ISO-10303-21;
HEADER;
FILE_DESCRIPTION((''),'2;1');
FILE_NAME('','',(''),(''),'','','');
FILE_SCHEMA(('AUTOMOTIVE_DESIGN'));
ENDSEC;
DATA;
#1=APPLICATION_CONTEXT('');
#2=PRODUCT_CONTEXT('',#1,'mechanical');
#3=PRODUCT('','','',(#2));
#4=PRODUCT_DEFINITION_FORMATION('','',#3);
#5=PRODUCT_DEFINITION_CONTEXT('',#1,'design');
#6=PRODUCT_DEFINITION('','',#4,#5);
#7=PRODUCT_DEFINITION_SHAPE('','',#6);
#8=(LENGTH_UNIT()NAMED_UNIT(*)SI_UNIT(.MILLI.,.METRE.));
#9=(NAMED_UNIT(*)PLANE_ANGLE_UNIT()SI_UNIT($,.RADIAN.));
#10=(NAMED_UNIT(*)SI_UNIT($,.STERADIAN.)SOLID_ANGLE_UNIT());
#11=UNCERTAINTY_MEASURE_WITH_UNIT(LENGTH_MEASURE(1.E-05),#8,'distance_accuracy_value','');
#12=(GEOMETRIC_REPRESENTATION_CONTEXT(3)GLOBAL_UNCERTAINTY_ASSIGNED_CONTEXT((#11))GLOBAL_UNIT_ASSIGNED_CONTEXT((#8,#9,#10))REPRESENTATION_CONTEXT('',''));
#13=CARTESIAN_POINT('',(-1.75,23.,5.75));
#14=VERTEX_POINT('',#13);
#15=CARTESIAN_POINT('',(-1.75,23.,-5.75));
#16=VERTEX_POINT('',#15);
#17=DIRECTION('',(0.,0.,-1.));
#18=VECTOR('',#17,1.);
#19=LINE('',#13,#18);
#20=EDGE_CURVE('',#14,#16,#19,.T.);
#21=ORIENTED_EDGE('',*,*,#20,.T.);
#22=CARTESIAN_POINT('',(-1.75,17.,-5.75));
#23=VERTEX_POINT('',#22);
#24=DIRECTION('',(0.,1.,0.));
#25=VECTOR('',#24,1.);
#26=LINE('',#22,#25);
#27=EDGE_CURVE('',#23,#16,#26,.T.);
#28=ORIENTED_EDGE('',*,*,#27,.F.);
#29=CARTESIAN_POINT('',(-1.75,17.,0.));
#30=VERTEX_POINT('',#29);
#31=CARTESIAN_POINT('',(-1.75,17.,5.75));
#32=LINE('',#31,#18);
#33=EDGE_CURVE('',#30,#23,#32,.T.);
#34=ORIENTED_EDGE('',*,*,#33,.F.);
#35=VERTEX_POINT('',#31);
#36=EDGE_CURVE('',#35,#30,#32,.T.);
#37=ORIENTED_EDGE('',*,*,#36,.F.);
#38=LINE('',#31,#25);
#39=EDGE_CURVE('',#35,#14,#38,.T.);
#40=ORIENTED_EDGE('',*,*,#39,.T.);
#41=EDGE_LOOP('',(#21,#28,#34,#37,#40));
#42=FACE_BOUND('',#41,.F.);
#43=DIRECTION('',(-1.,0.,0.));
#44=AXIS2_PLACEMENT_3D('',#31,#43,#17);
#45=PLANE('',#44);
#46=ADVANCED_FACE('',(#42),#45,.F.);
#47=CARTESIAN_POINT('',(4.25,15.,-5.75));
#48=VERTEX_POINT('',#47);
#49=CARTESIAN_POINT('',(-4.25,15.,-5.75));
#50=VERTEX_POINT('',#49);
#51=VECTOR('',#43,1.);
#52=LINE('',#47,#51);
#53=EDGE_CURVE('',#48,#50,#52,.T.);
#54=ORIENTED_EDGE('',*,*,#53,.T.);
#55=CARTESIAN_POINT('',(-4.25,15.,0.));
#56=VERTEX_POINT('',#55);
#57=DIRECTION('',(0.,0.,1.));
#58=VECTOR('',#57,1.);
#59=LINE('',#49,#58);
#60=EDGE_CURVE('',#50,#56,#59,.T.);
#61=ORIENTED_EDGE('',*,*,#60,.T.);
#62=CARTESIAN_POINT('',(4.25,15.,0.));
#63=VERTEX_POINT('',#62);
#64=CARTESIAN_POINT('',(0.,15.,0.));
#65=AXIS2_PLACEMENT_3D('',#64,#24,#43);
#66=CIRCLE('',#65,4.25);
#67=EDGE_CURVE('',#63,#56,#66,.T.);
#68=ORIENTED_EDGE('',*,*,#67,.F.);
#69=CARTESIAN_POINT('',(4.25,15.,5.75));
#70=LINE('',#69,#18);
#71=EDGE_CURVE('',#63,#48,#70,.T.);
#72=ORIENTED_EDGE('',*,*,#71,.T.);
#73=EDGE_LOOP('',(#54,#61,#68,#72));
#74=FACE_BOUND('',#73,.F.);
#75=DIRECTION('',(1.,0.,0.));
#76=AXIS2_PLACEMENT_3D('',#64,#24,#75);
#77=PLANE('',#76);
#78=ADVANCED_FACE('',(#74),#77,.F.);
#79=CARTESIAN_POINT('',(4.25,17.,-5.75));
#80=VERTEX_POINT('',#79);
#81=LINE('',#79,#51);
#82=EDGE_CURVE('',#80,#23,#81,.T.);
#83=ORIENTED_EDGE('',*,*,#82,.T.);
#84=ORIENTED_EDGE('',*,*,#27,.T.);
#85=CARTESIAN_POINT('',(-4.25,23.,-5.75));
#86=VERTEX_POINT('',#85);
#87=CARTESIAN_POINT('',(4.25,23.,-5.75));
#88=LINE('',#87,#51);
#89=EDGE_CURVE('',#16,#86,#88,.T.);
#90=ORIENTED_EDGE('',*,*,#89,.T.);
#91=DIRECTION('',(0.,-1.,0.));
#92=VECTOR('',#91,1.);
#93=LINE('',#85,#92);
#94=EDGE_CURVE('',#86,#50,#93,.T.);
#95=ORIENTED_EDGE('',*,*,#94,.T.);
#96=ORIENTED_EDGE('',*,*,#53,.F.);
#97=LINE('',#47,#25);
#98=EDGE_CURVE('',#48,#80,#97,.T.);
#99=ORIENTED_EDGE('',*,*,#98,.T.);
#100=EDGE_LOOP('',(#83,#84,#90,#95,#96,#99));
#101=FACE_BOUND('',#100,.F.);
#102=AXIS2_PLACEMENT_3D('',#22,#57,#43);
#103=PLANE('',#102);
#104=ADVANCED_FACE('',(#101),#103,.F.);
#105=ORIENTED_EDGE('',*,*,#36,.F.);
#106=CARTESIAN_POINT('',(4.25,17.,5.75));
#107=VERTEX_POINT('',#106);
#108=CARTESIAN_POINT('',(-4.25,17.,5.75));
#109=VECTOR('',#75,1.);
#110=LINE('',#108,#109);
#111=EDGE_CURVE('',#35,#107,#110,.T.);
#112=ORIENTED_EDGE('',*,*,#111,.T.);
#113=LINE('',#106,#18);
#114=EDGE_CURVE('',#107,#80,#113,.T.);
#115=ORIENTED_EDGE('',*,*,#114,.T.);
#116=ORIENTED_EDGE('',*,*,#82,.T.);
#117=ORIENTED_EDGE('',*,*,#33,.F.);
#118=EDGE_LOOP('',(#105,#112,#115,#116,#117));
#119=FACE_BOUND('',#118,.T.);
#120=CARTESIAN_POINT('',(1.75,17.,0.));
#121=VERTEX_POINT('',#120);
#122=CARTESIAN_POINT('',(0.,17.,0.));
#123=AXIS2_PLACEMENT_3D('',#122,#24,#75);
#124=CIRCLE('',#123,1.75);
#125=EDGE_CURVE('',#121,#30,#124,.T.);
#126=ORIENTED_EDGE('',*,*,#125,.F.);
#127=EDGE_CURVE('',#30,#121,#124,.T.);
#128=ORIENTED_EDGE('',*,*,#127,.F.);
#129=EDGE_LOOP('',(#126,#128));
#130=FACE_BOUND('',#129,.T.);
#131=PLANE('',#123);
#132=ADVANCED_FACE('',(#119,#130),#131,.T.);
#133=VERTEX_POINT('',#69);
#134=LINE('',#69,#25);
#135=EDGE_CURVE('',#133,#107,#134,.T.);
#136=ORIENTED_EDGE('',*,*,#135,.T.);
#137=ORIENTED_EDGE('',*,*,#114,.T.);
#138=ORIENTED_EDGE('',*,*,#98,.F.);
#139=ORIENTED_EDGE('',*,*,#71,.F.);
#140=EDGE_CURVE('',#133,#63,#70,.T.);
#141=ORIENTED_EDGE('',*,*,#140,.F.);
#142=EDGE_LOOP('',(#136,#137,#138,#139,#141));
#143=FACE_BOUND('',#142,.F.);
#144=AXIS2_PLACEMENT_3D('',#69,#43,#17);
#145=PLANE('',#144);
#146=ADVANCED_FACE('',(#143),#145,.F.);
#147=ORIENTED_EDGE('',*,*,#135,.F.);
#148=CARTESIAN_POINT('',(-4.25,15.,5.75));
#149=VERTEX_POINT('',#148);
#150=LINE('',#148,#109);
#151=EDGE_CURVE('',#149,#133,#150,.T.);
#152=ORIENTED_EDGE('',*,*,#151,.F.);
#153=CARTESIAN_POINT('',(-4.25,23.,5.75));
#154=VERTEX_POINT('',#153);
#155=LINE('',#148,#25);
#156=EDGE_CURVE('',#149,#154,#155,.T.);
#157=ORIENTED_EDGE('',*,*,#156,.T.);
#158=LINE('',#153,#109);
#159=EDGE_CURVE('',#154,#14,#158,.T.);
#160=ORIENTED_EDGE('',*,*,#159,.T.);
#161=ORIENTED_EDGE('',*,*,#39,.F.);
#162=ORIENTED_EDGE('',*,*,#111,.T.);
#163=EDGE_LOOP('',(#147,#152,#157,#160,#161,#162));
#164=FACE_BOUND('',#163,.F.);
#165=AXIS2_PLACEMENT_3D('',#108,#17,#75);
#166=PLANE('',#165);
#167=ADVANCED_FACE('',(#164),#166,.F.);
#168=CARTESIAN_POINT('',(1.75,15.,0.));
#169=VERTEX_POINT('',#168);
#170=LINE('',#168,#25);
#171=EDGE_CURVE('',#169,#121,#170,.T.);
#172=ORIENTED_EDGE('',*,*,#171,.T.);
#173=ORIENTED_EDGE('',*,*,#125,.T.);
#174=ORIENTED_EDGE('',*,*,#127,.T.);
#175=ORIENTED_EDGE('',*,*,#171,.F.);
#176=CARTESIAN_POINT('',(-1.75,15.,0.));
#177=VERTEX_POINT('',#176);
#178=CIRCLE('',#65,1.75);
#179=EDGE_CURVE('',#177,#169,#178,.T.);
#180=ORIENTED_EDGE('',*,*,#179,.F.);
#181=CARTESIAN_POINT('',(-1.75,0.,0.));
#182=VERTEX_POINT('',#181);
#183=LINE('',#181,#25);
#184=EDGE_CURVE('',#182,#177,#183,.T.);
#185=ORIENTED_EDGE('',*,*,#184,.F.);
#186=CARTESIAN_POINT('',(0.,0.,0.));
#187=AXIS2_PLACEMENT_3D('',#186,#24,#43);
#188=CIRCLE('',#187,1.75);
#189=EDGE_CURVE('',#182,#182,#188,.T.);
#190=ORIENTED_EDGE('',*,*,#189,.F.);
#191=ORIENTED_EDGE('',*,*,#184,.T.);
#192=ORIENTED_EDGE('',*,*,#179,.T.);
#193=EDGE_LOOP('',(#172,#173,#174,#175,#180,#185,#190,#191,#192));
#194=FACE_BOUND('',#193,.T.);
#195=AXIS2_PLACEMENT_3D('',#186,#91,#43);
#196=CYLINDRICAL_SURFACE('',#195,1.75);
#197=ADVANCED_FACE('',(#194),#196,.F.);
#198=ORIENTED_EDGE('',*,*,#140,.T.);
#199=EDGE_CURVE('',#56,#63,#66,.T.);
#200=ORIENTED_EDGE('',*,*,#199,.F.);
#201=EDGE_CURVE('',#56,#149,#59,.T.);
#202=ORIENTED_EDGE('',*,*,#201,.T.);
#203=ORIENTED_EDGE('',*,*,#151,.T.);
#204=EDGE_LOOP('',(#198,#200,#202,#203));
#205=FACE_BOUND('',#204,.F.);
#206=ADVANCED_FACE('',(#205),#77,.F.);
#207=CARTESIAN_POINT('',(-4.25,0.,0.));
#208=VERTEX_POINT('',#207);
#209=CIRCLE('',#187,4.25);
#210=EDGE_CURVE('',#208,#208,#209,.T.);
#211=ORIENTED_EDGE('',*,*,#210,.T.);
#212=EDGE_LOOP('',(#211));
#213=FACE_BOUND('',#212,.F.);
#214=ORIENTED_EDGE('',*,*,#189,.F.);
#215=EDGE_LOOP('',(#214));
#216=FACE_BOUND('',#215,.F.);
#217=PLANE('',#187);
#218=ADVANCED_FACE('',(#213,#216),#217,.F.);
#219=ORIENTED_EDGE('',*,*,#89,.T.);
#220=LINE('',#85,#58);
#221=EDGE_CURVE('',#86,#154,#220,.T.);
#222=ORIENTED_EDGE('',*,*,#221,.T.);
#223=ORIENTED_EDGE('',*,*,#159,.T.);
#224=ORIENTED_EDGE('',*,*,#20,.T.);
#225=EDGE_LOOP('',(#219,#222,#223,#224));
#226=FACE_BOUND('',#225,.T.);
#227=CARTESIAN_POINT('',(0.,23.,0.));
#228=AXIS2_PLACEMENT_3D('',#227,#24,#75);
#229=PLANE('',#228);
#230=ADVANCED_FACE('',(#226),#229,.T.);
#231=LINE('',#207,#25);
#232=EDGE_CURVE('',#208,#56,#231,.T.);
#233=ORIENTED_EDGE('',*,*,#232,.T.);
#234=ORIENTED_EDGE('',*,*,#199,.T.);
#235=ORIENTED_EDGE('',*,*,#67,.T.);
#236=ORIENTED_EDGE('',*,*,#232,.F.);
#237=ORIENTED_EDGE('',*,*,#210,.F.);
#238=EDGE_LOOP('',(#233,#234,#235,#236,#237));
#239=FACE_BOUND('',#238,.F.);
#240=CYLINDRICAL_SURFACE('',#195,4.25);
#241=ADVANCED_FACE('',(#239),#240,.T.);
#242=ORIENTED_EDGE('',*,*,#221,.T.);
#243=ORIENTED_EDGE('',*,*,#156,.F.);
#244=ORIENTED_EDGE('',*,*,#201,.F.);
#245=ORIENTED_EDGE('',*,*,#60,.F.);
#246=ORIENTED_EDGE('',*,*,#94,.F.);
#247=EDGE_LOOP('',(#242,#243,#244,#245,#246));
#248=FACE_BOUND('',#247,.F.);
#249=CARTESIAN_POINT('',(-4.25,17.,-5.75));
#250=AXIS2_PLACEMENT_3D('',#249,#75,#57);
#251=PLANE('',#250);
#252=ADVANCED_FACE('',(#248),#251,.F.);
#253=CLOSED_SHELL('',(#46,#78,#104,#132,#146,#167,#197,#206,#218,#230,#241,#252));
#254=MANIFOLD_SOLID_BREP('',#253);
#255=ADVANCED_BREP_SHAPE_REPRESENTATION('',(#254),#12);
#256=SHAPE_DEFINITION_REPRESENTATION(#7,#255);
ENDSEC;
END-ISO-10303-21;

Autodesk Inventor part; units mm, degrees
ref_plane "YZ Plane" through (0, 0, 0) normal (1, 0, 0) x (0, 1, 0)
ref_plane "XZ Plane" through (0, 0, 0) normal (0, 1, 0) x (-1, 0, 0)
ref_plane "XY Plane" through (0, 0, 0) normal (0, 0, 1) x (1, 0, 0)
sketch "Sketch1" plane through (0, 0, 0) normal (0, 1, 0) x (-1, 0, 0)
  circle A0 centre (0, 0) radius 4.25
  circle A1 centre (0, 0) radius 1.75
  dimension "d0" = 8.5
  dimension "d1" = 3.5
extrude "Extrusion1" add sketch "Sketch1" along normal blind 15
sketch "Sketch2" plane through (0, 15, 0) normal (0, 1, 0) x (1, 0, 0)
  line L0 (4.25, 3.75) -> (-4.25, 3.75) construction
  line L1 (-4.25, 3.75) -> (-4.25, -3.75) construction
  line L2 (-4.25, -3.75) -> (4.25, -3.75) construction
  line L3 (4.25, -3.75) -> (4.25, 3.75) construction
  line L4 (4.25, 3.75) -> (-4.25, -3.75) construction
  line L5 (-4.25, 3.75) -> (4.25, -3.75) construction
  line L6 (-4.25, -5.75) -> (4.25, -5.75)
  line L7 (4.25, -5.75) -> (4.25, 5.75)
  line L8 (4.25, 5.75) -> (-4.25, 5.75)
  line L9 (-4.25, 5.75) -> (-4.25, -5.75)
  circle A0 centre (0, 0) radius 1.75
  circle A1 centre (0, 0) radius 1.75 projected
  dimension "d4" = 8.5
  dimension "d5" = 7.5
  dimension "d6" = 11.5
  dimension "d7" = 5.75
extrude "Extrusion2" add sketch "Sketch2" along normal blind 2
sketch "Sketch3" plane through (0, 17, 0) normal (0, 1, 0) x (1, 0, 0)
  line L0 (-4.25, -5.75) -> (4.25, -5.75) projected
  line L1 (4.25, 5.75) -> (-4.25, 5.75) projected
  line L2 (-4.25, -5.75) -> (-1.75, -5.75)
  line L3 (-1.75, -5.75) -> (-1.75, 5.75)
  line L4 (-1.75, 5.75) -> (-4.25, 5.75)
  line L5 (-4.25, 5.75) -> (-4.25, -5.75)
  point P0 (0, 0)
  dimension "d10" = 2.5
extrude "Extrusion3" add sketch "Sketch3" along normal blind 6
properties part number "CajonInf"
